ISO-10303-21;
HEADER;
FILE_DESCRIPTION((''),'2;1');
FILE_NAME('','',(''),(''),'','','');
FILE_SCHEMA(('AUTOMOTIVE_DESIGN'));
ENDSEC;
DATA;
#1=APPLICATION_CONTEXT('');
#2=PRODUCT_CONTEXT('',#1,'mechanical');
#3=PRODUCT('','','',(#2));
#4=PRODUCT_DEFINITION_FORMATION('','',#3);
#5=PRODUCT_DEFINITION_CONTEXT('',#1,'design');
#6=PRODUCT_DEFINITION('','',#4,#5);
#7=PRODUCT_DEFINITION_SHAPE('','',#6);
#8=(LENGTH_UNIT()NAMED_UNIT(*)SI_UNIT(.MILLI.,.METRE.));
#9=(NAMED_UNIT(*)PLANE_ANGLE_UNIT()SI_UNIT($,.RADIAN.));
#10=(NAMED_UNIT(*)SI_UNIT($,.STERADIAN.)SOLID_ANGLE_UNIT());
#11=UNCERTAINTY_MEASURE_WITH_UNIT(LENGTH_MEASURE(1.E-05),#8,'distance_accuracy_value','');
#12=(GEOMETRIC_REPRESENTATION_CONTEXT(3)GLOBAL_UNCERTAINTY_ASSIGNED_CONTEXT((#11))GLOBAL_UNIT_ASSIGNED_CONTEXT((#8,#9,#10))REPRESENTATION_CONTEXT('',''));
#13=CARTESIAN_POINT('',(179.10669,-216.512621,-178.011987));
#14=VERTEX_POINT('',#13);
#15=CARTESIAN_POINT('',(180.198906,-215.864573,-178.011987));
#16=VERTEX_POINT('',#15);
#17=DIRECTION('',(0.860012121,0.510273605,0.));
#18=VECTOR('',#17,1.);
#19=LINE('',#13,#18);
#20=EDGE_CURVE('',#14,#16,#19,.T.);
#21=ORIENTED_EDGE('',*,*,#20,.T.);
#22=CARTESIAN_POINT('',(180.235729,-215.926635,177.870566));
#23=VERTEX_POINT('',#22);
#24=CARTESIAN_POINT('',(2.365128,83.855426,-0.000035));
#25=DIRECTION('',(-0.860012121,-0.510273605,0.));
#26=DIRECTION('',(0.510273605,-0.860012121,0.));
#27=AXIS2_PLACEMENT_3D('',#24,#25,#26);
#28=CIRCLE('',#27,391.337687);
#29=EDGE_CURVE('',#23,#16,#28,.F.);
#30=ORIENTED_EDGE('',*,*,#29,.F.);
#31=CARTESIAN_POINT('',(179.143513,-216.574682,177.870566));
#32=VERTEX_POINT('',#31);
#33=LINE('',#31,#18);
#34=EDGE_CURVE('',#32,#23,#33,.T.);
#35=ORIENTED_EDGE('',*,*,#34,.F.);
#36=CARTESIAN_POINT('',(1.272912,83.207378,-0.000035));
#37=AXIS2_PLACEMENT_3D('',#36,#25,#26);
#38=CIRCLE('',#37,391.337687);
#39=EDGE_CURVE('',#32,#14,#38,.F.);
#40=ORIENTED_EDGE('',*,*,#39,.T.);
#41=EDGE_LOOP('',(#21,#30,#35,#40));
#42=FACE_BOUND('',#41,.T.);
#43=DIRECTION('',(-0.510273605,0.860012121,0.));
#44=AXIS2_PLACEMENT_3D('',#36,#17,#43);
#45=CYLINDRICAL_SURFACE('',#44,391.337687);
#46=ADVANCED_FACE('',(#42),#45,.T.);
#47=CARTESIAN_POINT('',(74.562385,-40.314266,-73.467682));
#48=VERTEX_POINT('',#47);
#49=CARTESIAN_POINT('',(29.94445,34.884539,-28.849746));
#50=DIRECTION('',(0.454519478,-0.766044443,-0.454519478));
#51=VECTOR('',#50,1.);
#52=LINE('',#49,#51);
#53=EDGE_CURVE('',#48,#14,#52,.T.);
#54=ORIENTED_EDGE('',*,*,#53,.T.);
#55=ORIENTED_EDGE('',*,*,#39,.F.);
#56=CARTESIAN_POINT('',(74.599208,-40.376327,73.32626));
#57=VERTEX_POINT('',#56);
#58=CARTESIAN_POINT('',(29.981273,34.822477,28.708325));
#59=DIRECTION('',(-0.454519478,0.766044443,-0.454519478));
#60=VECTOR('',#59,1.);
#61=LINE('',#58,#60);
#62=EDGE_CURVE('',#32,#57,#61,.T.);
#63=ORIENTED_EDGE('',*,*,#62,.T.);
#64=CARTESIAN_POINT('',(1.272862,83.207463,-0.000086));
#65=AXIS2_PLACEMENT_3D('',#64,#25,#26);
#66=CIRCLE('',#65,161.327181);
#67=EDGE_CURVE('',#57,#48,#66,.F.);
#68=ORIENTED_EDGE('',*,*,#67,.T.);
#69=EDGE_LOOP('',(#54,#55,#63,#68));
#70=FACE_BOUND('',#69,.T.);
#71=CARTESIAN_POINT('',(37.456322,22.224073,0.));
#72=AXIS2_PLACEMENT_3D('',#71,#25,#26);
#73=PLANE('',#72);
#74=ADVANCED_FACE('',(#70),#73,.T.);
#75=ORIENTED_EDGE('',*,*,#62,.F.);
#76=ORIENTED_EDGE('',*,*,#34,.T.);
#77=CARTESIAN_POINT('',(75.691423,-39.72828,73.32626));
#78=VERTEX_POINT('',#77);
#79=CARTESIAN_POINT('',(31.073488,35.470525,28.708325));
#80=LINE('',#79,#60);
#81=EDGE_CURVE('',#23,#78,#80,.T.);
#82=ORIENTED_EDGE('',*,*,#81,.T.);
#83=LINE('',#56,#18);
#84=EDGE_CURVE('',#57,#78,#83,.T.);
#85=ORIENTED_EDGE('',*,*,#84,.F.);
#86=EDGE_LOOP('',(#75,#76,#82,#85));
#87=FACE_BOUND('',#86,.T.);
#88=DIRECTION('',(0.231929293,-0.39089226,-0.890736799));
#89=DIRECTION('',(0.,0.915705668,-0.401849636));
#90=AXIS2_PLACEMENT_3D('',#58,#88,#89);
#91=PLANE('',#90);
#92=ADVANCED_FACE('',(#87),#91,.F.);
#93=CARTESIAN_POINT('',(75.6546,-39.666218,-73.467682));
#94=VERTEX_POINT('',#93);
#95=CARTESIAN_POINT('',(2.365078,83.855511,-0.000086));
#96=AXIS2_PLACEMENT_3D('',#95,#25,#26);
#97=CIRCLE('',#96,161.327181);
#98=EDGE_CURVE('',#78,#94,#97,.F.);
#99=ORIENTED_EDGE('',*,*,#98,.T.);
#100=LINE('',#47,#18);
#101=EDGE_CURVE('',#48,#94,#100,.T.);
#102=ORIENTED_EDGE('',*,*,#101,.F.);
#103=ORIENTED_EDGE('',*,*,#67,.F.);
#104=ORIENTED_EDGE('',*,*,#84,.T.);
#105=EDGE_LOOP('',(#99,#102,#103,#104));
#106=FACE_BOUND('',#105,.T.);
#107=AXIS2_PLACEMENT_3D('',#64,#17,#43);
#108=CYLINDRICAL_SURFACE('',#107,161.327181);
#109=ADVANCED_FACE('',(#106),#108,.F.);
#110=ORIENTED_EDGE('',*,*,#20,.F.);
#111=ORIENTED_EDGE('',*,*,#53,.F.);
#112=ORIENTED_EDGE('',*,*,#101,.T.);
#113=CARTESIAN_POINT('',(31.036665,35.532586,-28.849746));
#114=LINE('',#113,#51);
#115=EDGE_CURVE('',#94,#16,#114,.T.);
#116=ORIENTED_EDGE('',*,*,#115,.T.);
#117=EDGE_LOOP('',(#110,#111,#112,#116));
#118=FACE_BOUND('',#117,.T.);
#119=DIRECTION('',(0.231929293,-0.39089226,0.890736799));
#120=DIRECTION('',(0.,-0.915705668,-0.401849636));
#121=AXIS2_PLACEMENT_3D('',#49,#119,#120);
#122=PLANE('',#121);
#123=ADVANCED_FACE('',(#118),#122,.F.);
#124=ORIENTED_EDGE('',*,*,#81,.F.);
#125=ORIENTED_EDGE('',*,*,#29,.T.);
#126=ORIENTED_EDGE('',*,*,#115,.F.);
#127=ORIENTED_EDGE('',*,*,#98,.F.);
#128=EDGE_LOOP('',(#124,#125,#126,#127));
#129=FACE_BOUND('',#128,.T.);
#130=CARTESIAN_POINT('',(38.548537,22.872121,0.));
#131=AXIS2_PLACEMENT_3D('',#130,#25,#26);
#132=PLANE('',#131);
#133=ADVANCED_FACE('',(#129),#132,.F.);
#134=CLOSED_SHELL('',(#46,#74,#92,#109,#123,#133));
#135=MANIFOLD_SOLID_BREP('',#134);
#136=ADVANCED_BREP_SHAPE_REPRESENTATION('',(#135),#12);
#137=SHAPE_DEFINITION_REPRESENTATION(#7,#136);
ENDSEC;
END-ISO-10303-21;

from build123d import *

# Parameters (mm, degrees)
BOSS_EXTRUDE1_DEPTH = 0.635


with BuildPart() as part:
    # Sketch2 → Boss-Extrude1 (new, symmetric)
    with BuildSketch(Plane(origin=(85.435748593, -57.39573825, -3.750805372), x_dir=(0.48497220665143115, -0.8173692926764732, 0.3109813469730999), z_dir=(-0.8600121206459059, -0.5102736053747359, 0))):
        with BuildLine():
            Line((-40.915798399, -59.96618862), (121.293079896, -223.040293463))
            ThreePointArc((121.293079896, -223.040293463), (217.33403322, -67.249933033), (232.034500869, 115.173742429))
            Line((232.034500869, 115.173742429), (4.802964729, 79.526682919))
            ThreePointArc((4.802964729, 79.526682919), (-1.271741781, 4.279072971), (-40.915798399, -59.96618862))
        make_face()
    extrude(amount=BOSS_EXTRUDE1_DEPTH, both=True)


solid = part.part
